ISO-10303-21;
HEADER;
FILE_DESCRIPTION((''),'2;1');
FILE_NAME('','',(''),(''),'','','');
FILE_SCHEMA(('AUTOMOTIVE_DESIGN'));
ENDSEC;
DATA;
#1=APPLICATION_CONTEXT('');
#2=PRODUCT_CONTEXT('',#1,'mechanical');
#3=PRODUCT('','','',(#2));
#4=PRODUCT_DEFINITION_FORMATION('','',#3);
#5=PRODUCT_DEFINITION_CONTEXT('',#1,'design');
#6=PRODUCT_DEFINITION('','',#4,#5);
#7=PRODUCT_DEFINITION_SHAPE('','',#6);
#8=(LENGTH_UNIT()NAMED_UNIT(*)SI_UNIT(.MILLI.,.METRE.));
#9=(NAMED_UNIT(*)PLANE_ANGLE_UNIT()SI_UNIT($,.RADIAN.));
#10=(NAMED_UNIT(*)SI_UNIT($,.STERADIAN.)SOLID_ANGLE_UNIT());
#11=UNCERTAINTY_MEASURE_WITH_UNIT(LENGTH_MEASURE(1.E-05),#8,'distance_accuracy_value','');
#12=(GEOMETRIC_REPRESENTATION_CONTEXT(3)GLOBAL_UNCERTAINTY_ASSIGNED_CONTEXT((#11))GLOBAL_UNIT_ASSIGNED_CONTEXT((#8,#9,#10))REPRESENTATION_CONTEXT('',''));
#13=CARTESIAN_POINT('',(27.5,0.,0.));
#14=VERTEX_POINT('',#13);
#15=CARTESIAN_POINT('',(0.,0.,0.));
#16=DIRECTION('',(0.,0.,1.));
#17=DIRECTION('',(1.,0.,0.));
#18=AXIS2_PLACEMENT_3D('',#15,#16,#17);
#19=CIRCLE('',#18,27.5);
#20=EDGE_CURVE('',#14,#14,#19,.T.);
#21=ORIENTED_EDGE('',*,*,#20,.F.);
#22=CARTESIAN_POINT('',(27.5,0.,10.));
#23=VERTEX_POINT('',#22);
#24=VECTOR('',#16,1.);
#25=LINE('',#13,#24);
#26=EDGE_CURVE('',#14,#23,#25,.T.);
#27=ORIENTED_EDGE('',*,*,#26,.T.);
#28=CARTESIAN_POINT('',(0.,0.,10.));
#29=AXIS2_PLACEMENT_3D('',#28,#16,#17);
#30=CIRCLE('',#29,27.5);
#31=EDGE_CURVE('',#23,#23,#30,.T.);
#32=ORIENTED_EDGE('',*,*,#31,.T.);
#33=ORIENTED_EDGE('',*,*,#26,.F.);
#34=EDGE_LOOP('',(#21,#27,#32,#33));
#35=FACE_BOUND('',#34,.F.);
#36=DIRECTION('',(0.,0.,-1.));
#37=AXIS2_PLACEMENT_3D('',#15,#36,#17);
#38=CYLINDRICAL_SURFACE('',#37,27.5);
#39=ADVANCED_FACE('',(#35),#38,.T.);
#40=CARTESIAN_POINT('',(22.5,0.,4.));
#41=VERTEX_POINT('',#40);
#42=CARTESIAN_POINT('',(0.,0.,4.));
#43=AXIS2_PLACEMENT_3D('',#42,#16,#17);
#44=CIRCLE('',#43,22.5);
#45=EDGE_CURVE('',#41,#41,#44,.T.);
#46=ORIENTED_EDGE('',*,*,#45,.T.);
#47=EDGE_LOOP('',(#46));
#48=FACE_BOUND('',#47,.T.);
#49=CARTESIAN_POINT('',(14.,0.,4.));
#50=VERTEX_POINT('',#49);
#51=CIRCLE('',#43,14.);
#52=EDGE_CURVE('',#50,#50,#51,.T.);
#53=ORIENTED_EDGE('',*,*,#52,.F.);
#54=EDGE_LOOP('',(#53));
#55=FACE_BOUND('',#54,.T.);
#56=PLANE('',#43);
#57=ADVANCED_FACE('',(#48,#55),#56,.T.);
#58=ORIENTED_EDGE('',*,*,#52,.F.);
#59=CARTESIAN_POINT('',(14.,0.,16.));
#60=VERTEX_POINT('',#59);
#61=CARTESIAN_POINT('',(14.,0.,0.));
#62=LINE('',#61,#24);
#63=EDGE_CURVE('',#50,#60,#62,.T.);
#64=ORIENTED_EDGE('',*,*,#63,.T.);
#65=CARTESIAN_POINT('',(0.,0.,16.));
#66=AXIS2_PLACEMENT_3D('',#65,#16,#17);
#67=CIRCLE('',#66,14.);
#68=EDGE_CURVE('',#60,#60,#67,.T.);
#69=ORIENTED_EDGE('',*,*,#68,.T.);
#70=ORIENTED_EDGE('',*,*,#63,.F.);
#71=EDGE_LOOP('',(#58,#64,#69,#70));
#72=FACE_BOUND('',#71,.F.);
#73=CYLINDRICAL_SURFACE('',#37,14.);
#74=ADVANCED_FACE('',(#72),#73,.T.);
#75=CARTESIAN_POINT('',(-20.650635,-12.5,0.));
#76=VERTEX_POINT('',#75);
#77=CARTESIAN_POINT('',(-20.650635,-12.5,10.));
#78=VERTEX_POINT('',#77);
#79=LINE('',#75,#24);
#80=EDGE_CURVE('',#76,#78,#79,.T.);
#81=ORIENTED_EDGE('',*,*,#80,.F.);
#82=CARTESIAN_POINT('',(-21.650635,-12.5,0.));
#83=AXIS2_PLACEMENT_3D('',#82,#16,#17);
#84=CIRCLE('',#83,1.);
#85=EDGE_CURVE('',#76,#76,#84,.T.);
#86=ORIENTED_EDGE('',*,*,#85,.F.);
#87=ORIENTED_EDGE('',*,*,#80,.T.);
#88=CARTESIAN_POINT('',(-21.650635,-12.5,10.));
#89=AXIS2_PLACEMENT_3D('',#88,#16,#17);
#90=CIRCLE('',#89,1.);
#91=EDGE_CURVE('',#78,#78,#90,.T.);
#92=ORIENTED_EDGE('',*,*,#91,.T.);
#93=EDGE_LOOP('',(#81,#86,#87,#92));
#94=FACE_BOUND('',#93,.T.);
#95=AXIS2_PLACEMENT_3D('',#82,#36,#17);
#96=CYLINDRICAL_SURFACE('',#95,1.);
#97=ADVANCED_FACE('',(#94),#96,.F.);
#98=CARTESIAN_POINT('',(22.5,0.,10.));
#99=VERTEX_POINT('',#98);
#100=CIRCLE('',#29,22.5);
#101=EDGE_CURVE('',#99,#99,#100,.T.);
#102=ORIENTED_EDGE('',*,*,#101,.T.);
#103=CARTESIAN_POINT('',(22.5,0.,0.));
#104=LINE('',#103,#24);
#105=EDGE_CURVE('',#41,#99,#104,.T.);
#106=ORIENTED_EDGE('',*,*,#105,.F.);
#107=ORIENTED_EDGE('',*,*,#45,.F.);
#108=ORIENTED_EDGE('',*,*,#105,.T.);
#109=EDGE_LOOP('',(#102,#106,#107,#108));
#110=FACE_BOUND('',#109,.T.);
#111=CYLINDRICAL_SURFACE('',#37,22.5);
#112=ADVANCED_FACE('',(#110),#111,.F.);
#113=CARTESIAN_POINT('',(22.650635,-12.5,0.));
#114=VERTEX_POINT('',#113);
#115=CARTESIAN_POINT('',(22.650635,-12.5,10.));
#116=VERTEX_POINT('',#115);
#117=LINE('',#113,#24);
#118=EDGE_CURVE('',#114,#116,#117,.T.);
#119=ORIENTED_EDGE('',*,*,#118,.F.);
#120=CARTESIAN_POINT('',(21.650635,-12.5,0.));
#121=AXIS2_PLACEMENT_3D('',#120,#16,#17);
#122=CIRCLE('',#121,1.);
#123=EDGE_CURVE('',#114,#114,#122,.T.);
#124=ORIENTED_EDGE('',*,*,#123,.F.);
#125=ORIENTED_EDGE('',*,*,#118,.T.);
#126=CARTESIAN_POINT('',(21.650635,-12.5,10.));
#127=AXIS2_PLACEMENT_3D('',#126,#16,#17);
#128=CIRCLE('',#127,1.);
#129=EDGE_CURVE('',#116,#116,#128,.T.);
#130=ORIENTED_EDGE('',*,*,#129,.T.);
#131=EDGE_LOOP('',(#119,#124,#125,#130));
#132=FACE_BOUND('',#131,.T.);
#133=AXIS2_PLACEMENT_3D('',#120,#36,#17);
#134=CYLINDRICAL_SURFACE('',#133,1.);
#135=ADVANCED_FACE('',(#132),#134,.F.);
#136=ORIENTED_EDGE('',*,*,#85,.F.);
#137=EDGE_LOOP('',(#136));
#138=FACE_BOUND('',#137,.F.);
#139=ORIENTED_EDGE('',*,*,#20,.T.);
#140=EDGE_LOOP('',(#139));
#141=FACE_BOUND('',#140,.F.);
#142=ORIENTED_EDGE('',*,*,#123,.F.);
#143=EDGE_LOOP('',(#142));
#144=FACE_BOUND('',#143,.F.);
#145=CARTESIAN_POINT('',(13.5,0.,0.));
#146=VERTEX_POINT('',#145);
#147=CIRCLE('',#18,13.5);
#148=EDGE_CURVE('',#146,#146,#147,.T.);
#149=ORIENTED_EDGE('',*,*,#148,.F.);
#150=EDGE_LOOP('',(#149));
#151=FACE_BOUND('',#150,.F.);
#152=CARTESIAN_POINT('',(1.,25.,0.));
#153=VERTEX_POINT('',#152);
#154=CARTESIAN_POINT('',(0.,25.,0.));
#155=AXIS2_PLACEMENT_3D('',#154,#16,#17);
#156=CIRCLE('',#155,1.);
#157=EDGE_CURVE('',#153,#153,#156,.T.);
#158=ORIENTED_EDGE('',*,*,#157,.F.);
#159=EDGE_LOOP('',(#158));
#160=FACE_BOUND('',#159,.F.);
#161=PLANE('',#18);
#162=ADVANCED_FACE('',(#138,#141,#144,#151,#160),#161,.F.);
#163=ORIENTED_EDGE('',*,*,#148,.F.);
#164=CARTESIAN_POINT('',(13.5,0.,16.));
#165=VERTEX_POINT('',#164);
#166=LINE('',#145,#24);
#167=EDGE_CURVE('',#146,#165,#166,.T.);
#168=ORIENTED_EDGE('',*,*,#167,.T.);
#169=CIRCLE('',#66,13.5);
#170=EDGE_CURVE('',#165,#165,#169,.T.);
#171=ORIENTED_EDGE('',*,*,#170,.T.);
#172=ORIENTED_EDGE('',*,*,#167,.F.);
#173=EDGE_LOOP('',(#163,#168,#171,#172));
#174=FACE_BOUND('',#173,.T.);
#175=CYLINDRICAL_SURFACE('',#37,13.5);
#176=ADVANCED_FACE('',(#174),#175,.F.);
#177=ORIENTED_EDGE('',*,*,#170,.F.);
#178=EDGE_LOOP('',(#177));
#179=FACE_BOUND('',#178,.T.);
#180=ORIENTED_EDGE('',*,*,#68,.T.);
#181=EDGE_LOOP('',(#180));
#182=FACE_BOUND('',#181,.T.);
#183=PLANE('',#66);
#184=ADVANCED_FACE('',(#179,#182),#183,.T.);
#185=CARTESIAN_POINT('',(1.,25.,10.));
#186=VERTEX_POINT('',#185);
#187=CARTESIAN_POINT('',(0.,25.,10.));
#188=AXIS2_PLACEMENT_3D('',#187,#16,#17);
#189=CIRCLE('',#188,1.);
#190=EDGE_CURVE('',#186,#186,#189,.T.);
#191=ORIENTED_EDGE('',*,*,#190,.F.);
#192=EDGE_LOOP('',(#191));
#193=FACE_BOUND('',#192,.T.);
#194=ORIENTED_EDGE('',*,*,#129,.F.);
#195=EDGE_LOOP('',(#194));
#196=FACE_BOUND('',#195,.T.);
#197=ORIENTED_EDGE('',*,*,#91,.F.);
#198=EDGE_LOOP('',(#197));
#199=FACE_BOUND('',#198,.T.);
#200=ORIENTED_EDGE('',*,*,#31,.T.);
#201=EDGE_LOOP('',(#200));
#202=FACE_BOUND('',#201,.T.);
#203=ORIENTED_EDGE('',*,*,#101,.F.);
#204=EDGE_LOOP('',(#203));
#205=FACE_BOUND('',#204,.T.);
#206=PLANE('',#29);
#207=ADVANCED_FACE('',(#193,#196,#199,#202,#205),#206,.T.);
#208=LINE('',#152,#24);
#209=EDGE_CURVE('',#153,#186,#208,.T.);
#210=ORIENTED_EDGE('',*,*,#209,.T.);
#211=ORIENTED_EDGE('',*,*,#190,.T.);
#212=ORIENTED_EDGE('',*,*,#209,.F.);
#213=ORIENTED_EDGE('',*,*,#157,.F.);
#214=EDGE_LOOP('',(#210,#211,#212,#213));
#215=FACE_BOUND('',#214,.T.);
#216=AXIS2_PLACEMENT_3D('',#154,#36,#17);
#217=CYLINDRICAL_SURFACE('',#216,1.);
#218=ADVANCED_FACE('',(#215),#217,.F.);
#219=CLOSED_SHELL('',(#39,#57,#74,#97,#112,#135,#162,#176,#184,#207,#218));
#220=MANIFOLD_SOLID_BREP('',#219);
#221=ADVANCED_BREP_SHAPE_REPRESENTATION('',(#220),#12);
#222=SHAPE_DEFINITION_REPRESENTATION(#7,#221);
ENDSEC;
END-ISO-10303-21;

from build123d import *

# Parameters (mm, degrees)
SKETCH_R      = 27.5
SKETCH_R_2    = 22.5
SKETCH_R_3    = 1
PAD_DEPTH     = 10
SKETCH001_R   = 22.5
SKETCH001_R_2 = 14
PAD001_DEPTH  = 4
SKETCH004_R   = 14
SKETCH004_R_2 = 13.5
PAD004_DEPTH  = 16


with BuildPart() as part:
    # Sketch → Pad (new body)
    with BuildSketch(Plane.XY):
        Circle(SKETCH_R)
        Circle(SKETCH_R_2, mode=Mode.SUBTRACT)
        with Locations((0, 25)):
            Circle(SKETCH_R_3, mode=Mode.SUBTRACT)
        with Locations((-21.650635, -12.5)):
            Circle(SKETCH_R_3, mode=Mode.SUBTRACT)
        with Locations((21.650635, -12.5)):
            Circle(SKETCH_R_3, mode=Mode.SUBTRACT)
    extrude(amount=PAD_DEPTH)

    # Sketch001 → Pad001 (join)
    with BuildSketch(Plane.XY):
        Circle(SKETCH001_R)
        Circle(SKETCH001_R_2, mode=Mode.SUBTRACT)
    extrude(amount=PAD001_DEPTH)

    # Sketch004 → Pad004 (join)
    with BuildSketch(Plane.XY):
        Circle(SKETCH004_R)
        Circle(SKETCH004_R_2, mode=Mode.SUBTRACT)
    extrude(amount=PAD004_DEPTH)


solid = part.part
